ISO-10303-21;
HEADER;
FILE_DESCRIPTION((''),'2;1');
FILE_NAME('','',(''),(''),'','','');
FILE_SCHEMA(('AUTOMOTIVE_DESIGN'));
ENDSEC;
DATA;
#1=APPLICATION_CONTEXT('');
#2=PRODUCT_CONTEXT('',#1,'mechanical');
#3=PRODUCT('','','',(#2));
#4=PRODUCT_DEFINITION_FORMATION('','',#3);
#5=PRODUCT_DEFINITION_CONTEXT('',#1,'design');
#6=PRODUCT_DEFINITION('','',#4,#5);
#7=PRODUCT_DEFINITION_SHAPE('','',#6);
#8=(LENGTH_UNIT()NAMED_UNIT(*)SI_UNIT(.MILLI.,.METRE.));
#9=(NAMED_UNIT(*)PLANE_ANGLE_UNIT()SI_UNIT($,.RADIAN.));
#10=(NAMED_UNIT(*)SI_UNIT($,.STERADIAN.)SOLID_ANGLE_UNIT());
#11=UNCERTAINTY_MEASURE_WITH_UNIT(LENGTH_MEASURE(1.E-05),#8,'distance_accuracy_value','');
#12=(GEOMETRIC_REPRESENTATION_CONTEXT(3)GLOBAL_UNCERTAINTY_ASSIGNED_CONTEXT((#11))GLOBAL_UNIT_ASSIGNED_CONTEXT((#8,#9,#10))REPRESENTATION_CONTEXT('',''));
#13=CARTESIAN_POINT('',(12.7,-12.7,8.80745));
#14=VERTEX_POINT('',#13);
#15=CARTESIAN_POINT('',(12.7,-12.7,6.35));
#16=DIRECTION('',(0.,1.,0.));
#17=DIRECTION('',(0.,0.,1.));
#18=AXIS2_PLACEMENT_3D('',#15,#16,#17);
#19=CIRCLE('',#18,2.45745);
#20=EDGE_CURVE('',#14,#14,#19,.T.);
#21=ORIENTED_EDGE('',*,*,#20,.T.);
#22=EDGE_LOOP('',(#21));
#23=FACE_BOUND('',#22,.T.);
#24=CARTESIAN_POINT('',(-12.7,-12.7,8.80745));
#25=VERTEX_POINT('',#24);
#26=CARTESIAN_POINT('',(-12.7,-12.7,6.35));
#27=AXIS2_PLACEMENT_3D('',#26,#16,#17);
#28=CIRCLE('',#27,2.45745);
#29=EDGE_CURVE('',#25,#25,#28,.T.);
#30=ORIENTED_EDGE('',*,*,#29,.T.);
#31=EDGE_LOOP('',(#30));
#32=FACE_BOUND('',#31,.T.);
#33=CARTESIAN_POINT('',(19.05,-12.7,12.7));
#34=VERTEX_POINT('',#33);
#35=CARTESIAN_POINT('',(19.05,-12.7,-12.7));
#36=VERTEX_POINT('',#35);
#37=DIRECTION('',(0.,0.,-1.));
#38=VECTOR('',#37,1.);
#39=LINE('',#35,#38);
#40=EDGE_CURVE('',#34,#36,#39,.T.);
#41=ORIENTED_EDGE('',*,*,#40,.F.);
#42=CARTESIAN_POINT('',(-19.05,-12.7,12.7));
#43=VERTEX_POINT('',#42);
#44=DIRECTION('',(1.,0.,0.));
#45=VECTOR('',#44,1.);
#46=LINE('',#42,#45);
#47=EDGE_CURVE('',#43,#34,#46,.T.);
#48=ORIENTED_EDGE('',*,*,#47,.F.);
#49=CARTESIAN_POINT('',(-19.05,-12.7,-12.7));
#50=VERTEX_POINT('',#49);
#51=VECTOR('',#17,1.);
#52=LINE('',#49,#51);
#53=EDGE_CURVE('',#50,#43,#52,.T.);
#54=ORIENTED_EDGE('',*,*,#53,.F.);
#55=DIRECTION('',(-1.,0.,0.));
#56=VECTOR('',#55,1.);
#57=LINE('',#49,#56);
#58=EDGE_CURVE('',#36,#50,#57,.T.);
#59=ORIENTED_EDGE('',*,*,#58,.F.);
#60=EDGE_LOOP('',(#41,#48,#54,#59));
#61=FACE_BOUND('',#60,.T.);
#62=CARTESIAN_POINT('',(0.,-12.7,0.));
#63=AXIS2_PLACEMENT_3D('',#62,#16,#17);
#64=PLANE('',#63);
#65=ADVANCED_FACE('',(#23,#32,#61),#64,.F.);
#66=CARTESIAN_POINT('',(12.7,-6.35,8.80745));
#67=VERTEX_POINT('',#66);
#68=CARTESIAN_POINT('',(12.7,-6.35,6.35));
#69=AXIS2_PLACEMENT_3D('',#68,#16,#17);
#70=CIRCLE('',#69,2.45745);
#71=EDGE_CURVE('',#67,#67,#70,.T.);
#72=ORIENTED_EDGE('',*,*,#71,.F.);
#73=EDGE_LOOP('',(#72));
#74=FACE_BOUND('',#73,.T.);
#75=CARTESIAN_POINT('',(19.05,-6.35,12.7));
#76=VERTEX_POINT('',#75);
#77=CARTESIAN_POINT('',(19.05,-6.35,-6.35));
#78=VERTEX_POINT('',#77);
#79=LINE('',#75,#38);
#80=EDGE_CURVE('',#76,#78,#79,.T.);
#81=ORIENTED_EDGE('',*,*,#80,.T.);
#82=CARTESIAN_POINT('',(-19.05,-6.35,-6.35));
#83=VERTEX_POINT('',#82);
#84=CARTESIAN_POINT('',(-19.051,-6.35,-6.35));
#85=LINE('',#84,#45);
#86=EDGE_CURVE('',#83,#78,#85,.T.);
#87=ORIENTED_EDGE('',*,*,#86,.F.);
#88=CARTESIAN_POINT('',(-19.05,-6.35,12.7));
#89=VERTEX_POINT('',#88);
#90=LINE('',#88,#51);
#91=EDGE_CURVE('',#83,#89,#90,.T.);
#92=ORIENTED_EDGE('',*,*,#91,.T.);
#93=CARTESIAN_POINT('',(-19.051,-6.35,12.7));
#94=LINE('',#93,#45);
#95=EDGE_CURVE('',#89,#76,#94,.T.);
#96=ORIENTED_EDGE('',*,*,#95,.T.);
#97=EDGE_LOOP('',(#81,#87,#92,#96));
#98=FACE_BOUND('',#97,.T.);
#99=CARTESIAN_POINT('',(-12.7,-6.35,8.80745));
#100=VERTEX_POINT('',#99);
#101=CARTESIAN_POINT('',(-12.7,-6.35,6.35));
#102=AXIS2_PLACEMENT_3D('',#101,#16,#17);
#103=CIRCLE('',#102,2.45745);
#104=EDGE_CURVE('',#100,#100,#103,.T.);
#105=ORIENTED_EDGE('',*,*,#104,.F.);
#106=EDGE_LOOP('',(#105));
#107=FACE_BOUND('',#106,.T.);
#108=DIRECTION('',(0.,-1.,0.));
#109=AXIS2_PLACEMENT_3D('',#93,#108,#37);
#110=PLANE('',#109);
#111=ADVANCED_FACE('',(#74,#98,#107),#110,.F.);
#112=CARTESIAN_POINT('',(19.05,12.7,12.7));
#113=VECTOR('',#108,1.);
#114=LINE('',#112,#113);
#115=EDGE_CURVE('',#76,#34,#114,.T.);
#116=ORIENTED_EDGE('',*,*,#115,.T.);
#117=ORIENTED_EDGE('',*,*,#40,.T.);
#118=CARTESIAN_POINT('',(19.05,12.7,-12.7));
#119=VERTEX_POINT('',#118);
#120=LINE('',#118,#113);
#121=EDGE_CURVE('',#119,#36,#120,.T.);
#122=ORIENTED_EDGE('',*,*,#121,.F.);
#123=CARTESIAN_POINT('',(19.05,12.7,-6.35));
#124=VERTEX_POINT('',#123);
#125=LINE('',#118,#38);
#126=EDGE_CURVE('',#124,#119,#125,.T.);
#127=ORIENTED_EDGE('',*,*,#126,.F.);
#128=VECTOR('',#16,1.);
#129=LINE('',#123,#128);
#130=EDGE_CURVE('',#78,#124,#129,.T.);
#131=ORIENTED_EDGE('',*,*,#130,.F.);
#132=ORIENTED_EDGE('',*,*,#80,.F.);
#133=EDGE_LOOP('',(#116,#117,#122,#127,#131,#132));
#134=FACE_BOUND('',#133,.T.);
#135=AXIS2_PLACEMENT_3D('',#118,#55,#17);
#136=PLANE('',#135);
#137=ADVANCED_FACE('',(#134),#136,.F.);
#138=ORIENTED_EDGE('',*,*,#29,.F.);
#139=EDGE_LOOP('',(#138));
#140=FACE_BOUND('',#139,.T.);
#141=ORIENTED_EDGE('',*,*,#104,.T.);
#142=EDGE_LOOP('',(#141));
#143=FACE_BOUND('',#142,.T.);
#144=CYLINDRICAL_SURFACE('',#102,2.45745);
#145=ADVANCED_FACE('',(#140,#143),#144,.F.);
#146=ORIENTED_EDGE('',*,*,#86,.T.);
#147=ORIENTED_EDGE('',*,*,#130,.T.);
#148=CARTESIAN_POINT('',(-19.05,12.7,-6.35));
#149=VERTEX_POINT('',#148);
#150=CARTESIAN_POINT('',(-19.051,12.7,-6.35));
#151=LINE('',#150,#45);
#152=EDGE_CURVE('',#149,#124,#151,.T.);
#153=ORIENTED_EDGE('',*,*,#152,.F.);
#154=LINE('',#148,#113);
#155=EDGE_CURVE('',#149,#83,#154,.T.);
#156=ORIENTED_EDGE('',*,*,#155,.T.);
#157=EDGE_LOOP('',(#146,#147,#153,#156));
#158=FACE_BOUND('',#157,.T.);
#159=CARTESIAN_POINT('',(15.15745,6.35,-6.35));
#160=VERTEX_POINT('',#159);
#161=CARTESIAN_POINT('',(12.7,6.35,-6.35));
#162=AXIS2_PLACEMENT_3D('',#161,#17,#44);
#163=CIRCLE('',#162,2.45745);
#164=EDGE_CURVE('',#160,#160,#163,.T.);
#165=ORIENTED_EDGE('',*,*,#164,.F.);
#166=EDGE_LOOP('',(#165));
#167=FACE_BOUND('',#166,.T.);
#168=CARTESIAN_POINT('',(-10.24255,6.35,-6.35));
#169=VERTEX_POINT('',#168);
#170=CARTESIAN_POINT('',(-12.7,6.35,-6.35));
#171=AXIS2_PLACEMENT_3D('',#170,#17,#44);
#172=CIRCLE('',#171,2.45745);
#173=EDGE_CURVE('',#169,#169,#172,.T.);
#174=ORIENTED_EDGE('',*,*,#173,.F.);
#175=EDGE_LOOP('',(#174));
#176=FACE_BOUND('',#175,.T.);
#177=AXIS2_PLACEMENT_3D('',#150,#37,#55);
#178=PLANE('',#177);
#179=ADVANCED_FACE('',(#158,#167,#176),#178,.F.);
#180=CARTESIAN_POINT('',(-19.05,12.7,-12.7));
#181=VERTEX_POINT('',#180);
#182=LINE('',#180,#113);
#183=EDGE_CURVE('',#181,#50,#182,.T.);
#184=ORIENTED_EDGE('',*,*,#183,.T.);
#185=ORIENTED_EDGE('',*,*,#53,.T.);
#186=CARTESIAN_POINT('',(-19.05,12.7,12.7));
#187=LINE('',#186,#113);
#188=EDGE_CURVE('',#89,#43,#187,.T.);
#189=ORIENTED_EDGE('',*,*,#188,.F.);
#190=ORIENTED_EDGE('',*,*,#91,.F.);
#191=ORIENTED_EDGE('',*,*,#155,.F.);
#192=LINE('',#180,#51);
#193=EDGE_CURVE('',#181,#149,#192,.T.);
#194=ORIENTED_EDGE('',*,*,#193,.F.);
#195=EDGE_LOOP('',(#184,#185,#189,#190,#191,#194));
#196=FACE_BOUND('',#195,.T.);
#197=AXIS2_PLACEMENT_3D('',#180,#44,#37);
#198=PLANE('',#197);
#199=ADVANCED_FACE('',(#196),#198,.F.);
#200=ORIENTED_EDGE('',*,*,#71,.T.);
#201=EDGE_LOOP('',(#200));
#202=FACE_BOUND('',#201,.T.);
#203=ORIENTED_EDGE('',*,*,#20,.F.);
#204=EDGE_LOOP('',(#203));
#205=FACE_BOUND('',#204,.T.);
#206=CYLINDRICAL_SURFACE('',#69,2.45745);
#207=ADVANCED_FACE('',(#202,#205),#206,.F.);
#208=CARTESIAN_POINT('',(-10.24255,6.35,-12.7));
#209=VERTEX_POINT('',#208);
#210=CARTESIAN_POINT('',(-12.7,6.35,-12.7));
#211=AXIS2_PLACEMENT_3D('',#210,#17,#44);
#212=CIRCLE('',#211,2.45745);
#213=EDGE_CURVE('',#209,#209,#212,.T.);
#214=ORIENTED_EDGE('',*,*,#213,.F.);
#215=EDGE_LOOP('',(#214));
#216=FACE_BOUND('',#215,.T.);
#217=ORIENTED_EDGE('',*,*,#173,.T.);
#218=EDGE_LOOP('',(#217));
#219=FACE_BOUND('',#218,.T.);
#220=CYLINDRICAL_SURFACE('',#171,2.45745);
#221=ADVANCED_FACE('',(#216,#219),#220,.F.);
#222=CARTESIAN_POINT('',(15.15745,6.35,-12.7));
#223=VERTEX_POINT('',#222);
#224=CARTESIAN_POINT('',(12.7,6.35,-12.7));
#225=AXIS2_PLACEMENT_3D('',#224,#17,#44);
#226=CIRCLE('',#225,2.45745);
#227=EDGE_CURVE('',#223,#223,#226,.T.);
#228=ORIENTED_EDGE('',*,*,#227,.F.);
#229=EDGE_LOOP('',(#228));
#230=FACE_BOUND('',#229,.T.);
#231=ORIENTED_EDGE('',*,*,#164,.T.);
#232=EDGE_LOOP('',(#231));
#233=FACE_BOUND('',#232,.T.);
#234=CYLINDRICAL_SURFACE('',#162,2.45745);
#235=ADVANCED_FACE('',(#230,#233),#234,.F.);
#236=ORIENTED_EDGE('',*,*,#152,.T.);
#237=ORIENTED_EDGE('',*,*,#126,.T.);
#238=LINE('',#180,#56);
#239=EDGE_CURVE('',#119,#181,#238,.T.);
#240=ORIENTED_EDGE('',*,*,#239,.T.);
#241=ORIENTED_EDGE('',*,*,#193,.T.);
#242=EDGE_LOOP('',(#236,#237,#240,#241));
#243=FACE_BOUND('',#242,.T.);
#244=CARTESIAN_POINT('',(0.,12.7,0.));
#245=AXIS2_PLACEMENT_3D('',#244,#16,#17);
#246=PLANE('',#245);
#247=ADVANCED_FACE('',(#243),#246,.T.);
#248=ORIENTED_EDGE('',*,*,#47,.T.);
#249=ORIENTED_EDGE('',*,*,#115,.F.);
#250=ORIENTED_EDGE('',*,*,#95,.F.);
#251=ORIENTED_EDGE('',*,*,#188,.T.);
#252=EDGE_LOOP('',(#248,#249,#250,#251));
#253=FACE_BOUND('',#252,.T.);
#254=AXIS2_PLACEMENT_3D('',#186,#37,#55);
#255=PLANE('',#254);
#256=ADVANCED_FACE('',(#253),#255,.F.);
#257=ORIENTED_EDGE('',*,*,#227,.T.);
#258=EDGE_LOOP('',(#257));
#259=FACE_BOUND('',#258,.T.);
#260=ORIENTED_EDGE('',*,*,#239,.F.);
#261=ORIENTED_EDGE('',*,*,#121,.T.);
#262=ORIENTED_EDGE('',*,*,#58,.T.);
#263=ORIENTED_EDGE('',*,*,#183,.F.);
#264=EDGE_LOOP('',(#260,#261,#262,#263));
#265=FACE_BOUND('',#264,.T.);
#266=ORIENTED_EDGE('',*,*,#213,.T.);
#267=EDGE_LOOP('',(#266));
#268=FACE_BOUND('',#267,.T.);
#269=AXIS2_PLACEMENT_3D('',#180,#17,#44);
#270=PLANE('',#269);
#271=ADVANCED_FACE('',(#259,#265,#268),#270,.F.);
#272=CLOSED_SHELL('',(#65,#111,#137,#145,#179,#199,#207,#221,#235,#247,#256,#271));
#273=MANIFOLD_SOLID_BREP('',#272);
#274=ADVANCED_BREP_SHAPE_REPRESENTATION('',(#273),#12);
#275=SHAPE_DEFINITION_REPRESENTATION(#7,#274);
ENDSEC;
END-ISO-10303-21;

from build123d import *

# Parameters (mm, degrees)
SKETCH1_W                        = 38.1
SKETCH1_H                        = 25.4
BOSS_EXTRUDE1_DEPTH              = 12.7
CUT_EXTRUDE1_REACH               = 40.1
SKETCH2_W                        = 19.05
SKETCH2_H                        = 19.05
F_10_0_1935_DIAMETER_HOLE2_D     = 4.9149
F_10_0_1935_DIAMETER_HOLE2_DEPTH = 6.35
F_10_0_1935_DIAMETER_HOLE1_D     = 4.9149
F_10_0_1935_DIAMETER_HOLE1_DEPTH = 12.7
F_10_0_1935_DIAMETER_HOLE1_TIP   = 1.476584928


with BuildPart() as part:
    # Sketch1 → Boss-Extrude1 (new body, symmetric)
    with BuildSketch(Plane(origin=(0, 0, 0), x_dir=(1, 0, 0), z_dir=(0, 1, 0))):
        Rectangle(SKETCH1_W, SKETCH1_H)
    extrude(amount=BOSS_EXTRUDE1_DEPTH, both=True)

    # Sketch2 → Cut-Extrude1 (cut, up to next)
    with BuildSketch(Plane(origin=(19.05, 0, 0), x_dir=(0, 0, -1), z_dir=(1, 0, 0)), mode=Mode.PRIVATE) as cut_extrude1_sk1:
        with Locations((-3.175, 3.175)):
            Rectangle(SKETCH2_W, SKETCH2_H)
    cut_extrude1_tool1 = extrude(cut_extrude1_sk1.sketch, amount=-CUT_EXTRUDE1_REACH, mode=Mode.PRIVATE) & part.part
    add(cut_extrude1_tool1.solids().sort_by_distance((19.05, 3.175, 3.175))[0], mode=Mode.SUBTRACT)

    # #10 (0.1935) Diameter Hole2
    with Locations(Plane.XY.offset(-6.35)):
        with Locations((-12.7, 6.35), (12.7, 6.35)):
            Hole(F_10_0_1935_DIAMETER_HOLE2_D / 2, depth=F_10_0_1935_DIAMETER_HOLE2_DEPTH)

    # #10 (0.1935) Diameter Hole1
    with Locations(Plane(origin=(0, -6.35, 0), x_dir=(1, 0, 0), z_dir=(0, 1, 0))):
        with Locations((-12.7, -6.35), (12.7, -6.35)):
            Hole(F_10_0_1935_DIAMETER_HOLE1_D / 2, depth=F_10_0_1935_DIAMETER_HOLE1_DEPTH)
            with Locations((0, 0, -(F_10_0_1935_DIAMETER_HOLE1_DEPTH + F_10_0_1935_DIAMETER_HOLE1_TIP / 2))):  # 118° drill point
                Cone(0, F_10_0_1935_DIAMETER_HOLE1_D / 2, F_10_0_1935_DIAMETER_HOLE1_TIP, mode=Mode.SUBTRACT)


solid = part.part
